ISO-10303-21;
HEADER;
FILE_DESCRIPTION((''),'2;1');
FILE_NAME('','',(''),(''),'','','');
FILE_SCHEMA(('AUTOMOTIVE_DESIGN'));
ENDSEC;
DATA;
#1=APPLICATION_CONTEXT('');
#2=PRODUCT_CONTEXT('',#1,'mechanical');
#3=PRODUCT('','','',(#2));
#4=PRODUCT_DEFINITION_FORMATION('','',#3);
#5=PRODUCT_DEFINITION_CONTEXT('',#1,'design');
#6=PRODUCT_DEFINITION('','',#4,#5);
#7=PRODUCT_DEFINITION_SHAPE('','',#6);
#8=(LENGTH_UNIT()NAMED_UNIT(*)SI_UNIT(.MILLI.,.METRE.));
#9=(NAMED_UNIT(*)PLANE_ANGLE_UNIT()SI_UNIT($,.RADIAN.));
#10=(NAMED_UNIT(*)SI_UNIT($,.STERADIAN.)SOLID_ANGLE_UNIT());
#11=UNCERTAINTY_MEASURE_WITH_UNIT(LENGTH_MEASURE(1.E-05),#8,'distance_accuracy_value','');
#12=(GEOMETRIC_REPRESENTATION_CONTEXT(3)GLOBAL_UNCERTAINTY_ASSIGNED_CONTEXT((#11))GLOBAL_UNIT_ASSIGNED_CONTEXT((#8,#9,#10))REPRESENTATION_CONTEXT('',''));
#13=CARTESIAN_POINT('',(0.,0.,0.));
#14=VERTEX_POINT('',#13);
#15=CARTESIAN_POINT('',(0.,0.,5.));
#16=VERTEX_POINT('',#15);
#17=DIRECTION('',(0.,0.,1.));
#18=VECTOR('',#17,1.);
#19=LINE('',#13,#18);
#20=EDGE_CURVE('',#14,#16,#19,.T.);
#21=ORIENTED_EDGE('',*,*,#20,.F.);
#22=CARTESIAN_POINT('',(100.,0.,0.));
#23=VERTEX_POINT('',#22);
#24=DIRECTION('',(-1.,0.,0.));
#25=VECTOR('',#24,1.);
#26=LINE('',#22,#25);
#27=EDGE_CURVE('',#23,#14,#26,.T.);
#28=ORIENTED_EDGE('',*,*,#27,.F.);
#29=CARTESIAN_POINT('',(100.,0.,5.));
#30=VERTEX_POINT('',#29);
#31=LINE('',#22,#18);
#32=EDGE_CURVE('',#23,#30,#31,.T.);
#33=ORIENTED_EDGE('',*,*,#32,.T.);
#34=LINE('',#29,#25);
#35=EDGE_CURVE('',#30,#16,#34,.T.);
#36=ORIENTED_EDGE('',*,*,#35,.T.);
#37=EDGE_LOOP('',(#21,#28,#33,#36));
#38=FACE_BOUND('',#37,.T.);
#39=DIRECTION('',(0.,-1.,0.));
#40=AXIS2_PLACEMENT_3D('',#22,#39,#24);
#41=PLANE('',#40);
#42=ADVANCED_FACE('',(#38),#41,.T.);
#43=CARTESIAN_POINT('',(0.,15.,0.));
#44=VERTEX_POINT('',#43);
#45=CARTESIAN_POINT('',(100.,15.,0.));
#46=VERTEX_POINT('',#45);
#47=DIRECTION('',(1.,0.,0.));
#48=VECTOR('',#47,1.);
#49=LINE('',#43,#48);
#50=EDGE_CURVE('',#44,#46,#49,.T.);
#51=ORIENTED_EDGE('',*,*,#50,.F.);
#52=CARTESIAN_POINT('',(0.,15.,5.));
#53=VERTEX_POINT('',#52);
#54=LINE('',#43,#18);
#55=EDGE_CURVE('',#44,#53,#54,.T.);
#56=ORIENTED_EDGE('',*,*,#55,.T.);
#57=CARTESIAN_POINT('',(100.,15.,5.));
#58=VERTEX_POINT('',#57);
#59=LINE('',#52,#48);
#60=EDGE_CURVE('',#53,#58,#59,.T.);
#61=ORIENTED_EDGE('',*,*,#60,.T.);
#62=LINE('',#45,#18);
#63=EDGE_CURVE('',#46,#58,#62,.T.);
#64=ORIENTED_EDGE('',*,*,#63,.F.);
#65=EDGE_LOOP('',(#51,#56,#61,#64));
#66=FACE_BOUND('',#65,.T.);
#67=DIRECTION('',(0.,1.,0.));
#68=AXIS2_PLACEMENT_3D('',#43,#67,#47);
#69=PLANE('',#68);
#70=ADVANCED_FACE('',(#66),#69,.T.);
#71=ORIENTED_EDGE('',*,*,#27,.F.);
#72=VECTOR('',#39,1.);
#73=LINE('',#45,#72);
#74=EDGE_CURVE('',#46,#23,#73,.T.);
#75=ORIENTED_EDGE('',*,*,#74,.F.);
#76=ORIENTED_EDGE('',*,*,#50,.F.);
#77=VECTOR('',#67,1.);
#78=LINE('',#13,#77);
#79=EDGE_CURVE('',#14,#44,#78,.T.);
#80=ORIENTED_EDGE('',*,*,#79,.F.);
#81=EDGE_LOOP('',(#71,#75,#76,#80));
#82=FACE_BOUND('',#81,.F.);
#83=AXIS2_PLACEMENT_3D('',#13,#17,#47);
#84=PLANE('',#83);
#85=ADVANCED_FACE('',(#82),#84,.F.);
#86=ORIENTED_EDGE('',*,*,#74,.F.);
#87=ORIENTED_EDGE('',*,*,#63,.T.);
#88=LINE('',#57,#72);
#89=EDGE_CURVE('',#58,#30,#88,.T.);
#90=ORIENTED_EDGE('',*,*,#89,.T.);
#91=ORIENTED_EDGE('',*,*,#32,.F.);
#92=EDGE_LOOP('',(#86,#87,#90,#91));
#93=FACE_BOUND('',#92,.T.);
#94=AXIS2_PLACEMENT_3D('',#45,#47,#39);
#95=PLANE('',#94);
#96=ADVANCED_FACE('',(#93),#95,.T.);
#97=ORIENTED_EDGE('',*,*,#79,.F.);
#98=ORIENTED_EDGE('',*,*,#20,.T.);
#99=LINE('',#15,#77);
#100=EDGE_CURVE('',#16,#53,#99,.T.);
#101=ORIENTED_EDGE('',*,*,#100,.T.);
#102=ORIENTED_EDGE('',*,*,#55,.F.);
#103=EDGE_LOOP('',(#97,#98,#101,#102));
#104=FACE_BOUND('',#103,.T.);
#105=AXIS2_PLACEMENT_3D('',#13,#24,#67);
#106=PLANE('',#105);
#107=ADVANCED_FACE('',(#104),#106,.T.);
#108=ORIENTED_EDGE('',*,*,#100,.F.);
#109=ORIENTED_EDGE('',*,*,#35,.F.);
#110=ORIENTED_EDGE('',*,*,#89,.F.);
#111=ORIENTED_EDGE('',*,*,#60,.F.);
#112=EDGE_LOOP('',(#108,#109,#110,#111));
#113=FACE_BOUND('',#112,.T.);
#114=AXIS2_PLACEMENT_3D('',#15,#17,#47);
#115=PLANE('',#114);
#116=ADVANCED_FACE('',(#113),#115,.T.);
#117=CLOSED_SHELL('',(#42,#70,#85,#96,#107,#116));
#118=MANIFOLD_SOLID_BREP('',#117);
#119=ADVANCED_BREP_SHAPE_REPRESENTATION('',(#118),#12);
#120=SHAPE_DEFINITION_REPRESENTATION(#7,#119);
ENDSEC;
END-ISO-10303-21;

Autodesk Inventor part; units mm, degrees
ref_plane "YZ Plane" through (0, 0, 0) normal (1, 0, 0) x (0, 1, 0)
ref_plane "XZ Plane" through (0, 0, 0) normal (0, 1, 0) x (-1, 0, 0)
ref_plane "XY Plane" through (0, 0, 0) normal (0, 0, 1) x (1, 0, 0)
sketch "Sketch1" plane through (0, 0, 0) normal (0, 0, 1) x (1, 0, 0)
  line L0 (0, 0) -> (0, 15)
  line L1 (0, 15) -> (100, 15)
  line L2 (100, 15) -> (100, 0)
  line L3 (100, 0) -> (0, 0)
  dimension "d0" = 15
  dimension "d1" = 100
  dimension "d2" = 15
extrude "Extrusion1" add sketch "Sketch1" along normal blind 5
properties part number "tunnel_line"
